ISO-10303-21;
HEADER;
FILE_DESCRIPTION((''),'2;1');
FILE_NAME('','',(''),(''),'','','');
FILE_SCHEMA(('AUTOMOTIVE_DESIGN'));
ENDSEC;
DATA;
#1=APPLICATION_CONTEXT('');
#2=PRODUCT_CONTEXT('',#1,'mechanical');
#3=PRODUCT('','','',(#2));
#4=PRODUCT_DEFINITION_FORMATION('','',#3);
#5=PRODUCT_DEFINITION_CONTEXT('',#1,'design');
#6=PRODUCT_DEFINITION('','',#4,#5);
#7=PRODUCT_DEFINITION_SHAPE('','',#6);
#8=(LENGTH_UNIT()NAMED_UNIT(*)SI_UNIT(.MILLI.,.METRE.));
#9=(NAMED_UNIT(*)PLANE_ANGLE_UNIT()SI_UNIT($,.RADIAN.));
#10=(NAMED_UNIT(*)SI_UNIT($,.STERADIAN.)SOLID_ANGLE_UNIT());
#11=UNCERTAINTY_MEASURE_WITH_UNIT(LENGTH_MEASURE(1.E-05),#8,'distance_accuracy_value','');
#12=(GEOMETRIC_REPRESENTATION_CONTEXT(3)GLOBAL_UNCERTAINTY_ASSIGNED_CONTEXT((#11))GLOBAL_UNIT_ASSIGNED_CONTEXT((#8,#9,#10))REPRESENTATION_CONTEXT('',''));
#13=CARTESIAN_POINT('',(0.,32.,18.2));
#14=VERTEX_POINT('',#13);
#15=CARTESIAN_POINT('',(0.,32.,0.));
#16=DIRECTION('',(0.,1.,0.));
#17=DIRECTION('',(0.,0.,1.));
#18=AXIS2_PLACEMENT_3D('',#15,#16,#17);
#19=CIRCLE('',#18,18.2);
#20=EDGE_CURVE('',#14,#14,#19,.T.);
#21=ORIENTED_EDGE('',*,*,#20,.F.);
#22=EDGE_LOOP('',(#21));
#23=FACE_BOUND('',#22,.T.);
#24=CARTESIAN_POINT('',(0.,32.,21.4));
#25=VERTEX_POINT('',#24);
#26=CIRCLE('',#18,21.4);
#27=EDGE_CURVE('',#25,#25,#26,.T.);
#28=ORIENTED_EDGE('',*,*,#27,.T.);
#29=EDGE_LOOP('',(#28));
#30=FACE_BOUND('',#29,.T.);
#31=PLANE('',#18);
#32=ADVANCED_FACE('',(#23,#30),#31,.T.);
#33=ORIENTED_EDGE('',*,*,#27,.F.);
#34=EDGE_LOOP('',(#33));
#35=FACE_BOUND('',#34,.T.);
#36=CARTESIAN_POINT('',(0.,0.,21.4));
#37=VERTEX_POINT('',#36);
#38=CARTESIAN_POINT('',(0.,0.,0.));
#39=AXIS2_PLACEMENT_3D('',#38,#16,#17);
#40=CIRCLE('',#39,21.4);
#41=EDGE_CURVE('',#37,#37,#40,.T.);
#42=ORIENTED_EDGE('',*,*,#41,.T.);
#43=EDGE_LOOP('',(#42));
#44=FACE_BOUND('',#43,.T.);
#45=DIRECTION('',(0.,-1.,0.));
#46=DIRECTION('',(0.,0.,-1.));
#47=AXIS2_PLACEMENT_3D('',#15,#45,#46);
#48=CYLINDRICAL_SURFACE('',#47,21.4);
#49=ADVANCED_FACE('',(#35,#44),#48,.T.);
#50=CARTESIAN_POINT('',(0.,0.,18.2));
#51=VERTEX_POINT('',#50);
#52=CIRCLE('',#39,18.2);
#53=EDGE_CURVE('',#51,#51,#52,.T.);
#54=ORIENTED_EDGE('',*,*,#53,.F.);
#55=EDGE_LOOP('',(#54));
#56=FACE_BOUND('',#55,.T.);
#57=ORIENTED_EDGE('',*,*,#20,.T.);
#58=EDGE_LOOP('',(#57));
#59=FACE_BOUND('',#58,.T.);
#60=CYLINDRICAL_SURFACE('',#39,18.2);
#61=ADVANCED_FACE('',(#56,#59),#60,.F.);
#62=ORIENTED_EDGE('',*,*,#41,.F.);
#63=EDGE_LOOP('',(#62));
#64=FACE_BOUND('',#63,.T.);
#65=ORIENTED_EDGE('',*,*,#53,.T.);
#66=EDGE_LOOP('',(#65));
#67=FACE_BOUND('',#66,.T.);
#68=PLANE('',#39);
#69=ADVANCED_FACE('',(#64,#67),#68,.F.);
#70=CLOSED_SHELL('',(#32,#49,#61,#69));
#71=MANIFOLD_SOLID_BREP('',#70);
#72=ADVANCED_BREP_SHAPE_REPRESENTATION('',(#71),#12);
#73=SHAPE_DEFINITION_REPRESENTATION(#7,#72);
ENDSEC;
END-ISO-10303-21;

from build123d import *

# Parameters (mm, degrees)
SKETCH_1_R          = 21.4
EXTRUDE_1_DEPTH     = 32
SKETCH_2_R          = 18.2
CUT_EXTRUDE_1_DEPTH = 45.044522929


with BuildPart() as part:
    # 草图1 → 凸台-拉伸1 (new body)
    with BuildSketch(Plane(origin=(0, 0, 0), x_dir=(1, 0, 0), z_dir=(0, 1, 0))):
        with Locations(Location((0, 0, 0), (0, 0, 270))):
            Circle(SKETCH_1_R)
    extrude(amount=EXTRUDE_1_DEPTH)

    # 草图2 → 切除-拉伸1 (cut, through all)
    with BuildSketch(Plane(origin=(0, 32, 0), x_dir=(1, 0, 0), z_dir=(0, 1, 0))):
        with Locations(Location((0, 0, 0), (0, 0, 270))):
            Circle(SKETCH_2_R)
    extrude(amount=-CUT_EXTRUDE_1_DEPTH, mode=Mode.SUBTRACT)


solid = part.part
